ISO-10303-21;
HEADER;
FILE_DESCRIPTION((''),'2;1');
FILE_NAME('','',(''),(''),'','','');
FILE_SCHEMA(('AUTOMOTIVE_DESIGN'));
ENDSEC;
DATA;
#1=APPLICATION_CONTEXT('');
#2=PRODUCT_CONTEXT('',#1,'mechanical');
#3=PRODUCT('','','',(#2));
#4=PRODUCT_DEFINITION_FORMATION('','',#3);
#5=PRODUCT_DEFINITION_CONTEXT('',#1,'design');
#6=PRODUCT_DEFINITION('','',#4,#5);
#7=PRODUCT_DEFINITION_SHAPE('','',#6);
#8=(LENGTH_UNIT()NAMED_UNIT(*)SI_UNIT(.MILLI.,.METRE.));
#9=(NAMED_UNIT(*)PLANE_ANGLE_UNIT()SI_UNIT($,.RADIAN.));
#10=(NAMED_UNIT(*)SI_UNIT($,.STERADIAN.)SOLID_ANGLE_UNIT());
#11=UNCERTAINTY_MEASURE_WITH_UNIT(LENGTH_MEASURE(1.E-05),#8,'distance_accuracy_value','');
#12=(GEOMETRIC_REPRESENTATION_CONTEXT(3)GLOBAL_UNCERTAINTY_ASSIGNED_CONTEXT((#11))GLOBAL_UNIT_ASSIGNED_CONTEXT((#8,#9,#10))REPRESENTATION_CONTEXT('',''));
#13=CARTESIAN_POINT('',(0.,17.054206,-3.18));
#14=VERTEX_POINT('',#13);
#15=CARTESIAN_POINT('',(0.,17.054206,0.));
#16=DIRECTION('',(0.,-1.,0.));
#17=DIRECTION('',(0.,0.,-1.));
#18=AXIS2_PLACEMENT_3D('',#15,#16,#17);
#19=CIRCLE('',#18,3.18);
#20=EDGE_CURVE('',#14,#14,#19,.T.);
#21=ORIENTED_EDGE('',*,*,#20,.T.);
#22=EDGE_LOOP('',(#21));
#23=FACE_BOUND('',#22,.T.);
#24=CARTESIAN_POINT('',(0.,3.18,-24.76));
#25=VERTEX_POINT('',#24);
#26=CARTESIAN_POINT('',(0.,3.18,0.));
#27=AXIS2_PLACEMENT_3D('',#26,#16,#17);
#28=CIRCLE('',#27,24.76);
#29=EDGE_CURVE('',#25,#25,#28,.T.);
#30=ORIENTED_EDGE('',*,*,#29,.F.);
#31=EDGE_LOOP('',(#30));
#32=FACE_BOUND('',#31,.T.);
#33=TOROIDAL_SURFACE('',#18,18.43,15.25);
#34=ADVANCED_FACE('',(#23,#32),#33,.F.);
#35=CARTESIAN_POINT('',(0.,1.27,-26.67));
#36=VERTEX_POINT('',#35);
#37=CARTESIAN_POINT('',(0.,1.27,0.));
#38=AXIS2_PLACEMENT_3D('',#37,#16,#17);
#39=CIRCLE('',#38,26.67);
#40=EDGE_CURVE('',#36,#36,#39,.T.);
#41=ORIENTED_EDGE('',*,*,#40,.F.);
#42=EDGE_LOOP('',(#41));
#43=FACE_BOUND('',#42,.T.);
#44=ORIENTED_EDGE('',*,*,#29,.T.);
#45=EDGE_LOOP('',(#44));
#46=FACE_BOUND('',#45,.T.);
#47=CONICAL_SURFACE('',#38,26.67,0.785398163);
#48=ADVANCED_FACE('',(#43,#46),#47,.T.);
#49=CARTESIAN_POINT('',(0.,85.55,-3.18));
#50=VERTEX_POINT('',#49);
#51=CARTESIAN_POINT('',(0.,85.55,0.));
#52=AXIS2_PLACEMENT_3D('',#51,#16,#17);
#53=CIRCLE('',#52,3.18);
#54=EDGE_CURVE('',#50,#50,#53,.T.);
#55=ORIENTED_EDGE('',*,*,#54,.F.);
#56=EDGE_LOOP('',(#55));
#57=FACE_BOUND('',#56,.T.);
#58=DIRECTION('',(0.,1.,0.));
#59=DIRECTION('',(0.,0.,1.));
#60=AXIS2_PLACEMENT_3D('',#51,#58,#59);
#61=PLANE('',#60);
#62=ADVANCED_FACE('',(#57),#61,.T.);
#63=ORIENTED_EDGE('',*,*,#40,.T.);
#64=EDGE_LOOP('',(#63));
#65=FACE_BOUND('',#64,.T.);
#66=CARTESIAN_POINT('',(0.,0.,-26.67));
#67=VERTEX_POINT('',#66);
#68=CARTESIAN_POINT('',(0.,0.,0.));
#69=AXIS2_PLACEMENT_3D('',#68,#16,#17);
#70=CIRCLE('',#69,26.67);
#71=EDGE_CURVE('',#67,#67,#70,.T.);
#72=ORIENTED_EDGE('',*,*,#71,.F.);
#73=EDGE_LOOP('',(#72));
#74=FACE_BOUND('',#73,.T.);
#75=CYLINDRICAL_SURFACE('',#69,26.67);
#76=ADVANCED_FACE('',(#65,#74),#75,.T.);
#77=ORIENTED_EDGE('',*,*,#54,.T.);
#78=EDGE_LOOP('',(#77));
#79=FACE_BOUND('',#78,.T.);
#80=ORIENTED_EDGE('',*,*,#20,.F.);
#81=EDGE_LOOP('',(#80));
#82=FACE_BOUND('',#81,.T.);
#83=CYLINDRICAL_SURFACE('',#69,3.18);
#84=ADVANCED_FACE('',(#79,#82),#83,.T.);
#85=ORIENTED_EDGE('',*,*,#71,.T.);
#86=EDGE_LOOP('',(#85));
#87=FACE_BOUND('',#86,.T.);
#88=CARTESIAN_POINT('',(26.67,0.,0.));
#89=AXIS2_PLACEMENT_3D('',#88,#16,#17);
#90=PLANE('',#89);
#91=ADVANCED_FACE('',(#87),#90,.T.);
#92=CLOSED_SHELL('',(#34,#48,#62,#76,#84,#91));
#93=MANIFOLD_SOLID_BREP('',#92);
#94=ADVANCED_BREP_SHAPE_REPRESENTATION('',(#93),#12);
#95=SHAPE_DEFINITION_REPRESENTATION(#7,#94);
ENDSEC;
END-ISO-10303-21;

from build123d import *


with BuildPart() as part:
    # Sketch1 → Revolve1 (revolve)
    with BuildSketch(Plane.XY, mode=Mode.PRIVATE) as revolve1_sk:
        with BuildLine():
            Line((0, 0), (0, 85.55))
            Line((0, 85.55), (3.18, 85.55))
            Line((3.18, 85.55), (3.18, 17.054206284))
            ThreePointArc((3.18, 17.054206284), (10.18287929, 4.226599336), (24.76, 3.18))
            Line((24.76, 3.18), (26.67, 1.27))
            Line((26.67, 1.27), (26.67, 0))
            Line((26.67, 0), (0, 0))
        make_face()
    revolve(revolve1_sk.sketch.rotate(Axis((0, 0, 0), (0, 1, 0)), 90), axis=Axis((0, 0, 0), (0, 1, 0)))


solid = part.part
